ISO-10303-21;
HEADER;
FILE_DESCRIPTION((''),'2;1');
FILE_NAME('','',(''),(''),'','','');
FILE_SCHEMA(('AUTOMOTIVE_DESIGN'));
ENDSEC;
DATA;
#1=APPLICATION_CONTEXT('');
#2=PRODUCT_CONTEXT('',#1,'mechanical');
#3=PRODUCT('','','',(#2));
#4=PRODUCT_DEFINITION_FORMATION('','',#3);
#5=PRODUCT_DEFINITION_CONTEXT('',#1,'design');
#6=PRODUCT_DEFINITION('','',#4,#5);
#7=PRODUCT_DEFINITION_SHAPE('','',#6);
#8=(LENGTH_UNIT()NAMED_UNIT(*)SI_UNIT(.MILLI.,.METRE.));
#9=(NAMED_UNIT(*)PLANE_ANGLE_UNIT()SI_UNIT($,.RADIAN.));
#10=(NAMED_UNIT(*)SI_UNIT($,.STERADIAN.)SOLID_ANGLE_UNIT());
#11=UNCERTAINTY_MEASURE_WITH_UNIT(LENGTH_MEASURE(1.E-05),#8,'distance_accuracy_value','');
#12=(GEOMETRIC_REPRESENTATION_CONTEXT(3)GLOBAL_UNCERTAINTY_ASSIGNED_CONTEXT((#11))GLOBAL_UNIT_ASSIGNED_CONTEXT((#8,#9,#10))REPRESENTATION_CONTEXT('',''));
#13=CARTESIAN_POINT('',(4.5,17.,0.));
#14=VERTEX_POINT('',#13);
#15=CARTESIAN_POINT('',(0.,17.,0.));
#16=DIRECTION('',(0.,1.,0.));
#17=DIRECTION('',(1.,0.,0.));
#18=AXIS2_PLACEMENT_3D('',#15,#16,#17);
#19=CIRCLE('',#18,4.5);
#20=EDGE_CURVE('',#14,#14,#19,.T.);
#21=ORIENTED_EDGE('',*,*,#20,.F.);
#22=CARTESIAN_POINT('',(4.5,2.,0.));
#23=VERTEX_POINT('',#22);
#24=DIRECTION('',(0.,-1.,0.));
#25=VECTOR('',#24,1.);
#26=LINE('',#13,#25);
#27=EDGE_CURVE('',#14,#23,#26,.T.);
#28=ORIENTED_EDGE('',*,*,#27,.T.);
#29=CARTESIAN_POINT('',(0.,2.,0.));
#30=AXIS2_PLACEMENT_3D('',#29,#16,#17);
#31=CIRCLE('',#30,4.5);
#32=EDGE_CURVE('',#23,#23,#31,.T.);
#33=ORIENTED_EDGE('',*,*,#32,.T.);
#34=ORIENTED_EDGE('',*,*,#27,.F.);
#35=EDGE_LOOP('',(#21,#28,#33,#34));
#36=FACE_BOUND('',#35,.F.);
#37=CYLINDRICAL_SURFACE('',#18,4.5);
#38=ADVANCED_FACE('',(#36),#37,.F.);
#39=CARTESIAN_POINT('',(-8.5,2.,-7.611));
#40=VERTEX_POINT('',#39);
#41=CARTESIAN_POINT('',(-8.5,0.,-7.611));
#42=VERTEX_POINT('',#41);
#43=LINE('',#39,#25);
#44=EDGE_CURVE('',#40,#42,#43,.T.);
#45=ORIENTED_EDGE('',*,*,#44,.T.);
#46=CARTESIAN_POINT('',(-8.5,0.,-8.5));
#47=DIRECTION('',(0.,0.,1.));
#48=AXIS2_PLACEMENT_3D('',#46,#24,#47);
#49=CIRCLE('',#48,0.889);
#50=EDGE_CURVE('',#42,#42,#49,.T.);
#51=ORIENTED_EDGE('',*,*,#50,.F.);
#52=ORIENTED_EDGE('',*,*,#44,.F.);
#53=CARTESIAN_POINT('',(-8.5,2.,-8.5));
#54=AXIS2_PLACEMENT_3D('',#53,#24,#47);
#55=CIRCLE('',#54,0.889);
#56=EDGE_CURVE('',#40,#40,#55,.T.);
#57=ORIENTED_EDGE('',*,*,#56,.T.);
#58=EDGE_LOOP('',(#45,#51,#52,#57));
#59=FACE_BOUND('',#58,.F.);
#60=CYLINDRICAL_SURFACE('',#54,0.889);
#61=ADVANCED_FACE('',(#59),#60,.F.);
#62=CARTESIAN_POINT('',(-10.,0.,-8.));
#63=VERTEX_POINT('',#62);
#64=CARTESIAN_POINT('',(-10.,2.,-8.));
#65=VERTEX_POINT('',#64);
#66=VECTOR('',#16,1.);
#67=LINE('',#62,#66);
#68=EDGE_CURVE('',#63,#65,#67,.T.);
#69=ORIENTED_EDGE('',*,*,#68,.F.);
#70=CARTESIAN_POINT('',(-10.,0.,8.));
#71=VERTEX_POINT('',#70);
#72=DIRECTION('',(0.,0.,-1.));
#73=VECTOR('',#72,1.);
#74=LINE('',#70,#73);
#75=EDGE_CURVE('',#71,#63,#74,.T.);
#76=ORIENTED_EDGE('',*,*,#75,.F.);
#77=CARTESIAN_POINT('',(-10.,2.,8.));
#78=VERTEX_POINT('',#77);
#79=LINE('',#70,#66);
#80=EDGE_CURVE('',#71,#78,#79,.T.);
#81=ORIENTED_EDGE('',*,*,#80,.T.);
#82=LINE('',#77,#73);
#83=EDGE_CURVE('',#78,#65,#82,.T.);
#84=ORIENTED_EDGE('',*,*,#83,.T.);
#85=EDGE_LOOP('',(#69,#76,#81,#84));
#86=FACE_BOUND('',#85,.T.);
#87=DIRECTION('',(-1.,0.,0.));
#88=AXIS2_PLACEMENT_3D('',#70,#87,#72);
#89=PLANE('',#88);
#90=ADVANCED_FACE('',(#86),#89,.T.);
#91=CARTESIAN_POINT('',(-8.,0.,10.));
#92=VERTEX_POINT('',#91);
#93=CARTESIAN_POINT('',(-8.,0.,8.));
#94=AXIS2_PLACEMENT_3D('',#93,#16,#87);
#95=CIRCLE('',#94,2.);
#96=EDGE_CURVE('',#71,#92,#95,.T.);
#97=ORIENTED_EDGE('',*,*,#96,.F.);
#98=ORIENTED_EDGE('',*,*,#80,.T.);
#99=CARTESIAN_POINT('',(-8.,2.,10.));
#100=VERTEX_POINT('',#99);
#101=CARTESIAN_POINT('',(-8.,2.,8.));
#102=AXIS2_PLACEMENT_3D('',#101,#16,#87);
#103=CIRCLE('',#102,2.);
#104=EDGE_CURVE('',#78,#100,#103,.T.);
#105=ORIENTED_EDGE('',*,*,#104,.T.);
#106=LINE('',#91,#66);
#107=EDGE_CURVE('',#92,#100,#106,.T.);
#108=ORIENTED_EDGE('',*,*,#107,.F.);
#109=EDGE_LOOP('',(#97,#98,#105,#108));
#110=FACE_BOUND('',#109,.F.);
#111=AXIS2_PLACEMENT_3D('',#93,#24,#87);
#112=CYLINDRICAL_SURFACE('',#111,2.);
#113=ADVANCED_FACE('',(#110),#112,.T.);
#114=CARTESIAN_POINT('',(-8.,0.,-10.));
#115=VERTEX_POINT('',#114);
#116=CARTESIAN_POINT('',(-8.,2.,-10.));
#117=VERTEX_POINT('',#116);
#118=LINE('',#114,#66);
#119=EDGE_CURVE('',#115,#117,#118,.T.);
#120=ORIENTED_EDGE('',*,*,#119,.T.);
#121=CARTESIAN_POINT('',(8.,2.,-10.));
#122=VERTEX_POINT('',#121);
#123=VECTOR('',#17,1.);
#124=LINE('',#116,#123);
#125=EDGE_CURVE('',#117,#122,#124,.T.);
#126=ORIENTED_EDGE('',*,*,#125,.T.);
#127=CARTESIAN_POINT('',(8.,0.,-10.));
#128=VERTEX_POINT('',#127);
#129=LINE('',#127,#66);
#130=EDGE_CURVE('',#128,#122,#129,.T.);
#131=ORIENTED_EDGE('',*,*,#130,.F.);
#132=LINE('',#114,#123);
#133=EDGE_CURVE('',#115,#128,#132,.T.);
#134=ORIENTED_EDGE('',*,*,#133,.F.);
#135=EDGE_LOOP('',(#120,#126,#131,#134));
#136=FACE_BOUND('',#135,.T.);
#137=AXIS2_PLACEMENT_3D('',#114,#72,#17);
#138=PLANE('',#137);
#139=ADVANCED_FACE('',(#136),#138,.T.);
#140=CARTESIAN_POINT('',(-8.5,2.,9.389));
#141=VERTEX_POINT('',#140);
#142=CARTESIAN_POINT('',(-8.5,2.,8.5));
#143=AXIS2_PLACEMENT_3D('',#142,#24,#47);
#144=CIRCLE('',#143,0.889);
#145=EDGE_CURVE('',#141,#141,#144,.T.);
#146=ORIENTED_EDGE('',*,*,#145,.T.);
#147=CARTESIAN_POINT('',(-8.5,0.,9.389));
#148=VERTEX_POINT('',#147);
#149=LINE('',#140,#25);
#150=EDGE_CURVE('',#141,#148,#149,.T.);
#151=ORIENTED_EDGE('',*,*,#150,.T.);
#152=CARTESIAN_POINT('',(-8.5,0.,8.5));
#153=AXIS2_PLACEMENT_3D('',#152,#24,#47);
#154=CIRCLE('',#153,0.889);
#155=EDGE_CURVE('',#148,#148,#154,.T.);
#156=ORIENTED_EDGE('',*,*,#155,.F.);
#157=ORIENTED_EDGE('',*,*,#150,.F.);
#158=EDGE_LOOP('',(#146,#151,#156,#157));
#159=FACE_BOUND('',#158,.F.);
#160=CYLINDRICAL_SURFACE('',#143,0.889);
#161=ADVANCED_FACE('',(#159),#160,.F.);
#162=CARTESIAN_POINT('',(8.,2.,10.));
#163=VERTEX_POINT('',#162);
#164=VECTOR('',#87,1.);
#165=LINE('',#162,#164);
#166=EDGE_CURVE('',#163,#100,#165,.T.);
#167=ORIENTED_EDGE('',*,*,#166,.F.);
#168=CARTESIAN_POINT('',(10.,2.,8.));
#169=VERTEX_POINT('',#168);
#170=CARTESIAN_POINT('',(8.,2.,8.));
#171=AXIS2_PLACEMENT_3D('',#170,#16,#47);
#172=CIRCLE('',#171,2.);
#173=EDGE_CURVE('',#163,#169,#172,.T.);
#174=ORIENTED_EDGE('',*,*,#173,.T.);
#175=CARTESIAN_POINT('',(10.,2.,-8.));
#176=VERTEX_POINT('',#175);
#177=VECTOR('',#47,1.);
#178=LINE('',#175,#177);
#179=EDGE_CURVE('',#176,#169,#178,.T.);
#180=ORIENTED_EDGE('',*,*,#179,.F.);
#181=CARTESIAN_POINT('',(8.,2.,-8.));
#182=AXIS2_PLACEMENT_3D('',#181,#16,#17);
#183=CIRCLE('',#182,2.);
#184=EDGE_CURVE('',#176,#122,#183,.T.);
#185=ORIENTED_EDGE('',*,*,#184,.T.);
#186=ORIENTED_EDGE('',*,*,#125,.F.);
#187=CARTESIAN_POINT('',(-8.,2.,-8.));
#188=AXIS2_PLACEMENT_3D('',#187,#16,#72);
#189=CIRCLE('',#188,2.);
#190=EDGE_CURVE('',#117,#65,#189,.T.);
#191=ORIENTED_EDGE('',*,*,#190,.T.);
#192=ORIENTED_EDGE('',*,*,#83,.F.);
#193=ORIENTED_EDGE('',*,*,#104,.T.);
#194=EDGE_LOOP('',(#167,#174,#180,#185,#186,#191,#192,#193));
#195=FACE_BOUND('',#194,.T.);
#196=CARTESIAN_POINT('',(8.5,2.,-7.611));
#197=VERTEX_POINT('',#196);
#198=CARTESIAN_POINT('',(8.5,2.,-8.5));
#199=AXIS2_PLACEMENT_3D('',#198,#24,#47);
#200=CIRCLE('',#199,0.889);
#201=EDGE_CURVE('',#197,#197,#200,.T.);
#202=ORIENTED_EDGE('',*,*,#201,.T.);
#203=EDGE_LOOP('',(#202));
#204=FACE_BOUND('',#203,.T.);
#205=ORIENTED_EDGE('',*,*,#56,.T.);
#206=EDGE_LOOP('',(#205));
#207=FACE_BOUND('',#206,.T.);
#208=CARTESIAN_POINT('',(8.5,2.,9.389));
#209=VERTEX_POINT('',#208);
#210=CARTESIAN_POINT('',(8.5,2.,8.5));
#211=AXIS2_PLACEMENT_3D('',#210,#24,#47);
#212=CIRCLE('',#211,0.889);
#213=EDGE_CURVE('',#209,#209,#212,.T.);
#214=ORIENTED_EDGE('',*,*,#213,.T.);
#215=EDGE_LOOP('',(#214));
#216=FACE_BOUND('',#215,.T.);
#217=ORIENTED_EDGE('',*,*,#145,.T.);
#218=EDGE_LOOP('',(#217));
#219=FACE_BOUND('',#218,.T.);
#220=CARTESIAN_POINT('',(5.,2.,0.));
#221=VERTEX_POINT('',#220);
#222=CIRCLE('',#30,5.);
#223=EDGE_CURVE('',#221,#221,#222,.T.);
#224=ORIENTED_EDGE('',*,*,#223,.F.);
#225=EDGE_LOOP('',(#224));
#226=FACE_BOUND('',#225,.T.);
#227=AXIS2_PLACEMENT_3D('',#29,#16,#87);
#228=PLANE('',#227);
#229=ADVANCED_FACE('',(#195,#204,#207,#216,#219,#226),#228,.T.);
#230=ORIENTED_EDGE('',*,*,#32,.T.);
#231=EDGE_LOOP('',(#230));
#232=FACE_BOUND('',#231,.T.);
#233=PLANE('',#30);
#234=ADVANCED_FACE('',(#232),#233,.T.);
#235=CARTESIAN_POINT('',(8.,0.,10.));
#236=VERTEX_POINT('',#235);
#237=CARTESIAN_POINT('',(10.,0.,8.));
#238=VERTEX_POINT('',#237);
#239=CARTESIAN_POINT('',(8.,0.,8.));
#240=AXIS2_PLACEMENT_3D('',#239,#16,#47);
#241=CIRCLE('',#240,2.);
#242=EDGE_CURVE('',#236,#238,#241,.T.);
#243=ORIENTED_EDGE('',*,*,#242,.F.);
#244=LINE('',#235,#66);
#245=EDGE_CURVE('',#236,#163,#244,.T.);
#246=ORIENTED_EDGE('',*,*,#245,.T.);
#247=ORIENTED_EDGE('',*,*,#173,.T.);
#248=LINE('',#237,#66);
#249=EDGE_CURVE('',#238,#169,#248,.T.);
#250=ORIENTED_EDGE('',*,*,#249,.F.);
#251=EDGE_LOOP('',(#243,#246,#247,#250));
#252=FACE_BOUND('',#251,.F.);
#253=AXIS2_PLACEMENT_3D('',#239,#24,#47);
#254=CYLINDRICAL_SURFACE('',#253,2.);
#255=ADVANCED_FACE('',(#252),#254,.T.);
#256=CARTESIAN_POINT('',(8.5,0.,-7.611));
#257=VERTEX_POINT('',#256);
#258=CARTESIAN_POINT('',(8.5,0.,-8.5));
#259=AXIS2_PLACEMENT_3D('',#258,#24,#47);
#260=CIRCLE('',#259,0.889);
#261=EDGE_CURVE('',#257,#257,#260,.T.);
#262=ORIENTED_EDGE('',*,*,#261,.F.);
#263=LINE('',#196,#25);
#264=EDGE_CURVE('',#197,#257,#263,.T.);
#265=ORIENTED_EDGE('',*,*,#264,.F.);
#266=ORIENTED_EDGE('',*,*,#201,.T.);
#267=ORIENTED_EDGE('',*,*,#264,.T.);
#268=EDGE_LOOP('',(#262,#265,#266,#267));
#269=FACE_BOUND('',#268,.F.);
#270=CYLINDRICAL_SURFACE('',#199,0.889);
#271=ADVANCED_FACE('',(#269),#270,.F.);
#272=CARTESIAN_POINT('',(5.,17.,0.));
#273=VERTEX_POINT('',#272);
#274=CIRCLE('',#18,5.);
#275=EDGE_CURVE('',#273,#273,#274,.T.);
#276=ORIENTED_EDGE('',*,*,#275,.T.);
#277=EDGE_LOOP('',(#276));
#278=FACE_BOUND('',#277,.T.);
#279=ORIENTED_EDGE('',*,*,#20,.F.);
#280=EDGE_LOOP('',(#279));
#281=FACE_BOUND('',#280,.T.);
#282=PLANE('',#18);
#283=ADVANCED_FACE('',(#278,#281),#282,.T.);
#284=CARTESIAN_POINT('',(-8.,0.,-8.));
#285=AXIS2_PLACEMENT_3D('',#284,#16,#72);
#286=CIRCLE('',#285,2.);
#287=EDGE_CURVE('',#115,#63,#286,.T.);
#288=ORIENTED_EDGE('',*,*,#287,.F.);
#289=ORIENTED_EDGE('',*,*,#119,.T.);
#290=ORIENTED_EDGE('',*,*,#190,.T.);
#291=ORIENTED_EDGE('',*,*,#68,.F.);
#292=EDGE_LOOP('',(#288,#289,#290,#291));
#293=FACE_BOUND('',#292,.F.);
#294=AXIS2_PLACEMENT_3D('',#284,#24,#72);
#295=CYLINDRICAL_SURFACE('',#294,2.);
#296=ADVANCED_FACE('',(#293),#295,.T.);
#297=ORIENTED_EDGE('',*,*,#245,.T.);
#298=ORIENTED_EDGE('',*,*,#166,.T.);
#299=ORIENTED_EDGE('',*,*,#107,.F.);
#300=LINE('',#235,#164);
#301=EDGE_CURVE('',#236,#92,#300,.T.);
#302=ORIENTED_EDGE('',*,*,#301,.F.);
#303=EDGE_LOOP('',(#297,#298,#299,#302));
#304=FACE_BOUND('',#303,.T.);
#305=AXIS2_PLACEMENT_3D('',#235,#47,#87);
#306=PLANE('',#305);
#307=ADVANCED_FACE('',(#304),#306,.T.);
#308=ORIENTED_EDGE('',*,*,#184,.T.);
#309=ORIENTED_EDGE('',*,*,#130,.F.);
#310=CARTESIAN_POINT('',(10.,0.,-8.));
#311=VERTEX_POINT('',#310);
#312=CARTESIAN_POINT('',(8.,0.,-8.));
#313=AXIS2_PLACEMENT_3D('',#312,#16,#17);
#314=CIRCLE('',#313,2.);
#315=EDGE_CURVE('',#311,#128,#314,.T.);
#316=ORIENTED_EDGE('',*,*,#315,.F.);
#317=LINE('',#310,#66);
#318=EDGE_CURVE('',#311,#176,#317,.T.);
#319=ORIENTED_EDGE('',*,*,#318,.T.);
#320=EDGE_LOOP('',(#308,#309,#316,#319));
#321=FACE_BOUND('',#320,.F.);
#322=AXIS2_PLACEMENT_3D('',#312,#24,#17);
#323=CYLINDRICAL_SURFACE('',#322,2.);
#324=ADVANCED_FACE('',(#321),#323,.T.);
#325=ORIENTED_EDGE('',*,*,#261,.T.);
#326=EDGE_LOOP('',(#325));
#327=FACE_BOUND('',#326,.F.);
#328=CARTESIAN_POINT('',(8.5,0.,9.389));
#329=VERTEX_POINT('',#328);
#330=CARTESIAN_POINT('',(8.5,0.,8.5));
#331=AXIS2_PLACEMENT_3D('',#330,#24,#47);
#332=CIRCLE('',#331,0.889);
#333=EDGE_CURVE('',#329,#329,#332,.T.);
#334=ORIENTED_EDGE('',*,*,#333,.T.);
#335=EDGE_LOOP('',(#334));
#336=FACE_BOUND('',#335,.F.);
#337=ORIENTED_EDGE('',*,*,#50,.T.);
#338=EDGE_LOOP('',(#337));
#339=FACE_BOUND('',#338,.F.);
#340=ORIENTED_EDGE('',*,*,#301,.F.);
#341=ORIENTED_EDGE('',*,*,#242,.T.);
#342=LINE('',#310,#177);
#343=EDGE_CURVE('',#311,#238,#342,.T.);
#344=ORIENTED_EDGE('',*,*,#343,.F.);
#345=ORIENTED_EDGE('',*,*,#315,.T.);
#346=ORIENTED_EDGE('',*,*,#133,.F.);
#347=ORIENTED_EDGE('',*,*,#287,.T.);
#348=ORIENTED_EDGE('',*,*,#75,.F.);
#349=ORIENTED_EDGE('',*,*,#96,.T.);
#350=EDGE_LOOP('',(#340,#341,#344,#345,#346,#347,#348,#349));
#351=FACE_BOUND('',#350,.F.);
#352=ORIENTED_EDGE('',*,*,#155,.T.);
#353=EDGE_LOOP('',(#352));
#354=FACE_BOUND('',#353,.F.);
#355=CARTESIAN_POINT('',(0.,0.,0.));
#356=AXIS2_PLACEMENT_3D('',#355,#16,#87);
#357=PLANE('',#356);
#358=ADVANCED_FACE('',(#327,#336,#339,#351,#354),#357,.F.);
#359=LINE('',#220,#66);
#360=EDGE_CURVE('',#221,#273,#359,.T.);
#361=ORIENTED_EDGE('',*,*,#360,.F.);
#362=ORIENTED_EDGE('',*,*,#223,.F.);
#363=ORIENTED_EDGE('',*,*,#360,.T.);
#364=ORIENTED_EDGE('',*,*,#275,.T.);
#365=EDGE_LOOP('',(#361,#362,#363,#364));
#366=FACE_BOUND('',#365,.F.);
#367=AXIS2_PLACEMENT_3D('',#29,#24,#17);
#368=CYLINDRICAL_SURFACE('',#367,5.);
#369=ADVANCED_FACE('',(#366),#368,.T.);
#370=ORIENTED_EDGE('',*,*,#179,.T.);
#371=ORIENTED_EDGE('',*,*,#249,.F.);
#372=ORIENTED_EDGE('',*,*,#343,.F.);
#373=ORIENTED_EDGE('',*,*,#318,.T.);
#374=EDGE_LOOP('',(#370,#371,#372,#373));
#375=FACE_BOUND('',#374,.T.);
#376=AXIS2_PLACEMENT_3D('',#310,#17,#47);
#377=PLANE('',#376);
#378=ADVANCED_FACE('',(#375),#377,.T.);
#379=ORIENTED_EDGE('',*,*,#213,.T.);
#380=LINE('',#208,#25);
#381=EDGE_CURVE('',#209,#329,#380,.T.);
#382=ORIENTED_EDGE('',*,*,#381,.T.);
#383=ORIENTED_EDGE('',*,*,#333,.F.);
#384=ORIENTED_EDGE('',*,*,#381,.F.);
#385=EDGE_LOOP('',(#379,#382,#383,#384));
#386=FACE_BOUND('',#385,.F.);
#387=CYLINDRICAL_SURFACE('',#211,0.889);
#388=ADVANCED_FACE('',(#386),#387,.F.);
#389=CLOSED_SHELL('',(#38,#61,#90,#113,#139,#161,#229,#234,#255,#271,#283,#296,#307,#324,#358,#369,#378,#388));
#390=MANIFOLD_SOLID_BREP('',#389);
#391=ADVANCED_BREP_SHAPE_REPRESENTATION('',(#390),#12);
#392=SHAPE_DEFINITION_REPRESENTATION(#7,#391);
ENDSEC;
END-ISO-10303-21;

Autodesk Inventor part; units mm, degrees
ref_plane "YZ Plane" through (0, 0, 0) normal (1, 0, 0) x (0, 1, 0)
ref_plane "XZ Plane" through (0, 0, 0) normal (0, 1, 0) x (-1, 0, 0)
sketch "Sketch1" plane through (0, 0, 0) normal (0, 1, 0) x (-1, 0, 0)
  line L0 (-8, 10) -> (8, 10)
  line L1 (10, 8) -> (10, -8)
  line L2 (8, -10) -> (-8, -10)
  line L3 (-10, -8) -> (-10, 8)
  line L4 (-10, 10) -> (10, -10) construction
  line L5 (10, 10) -> (-10, -10) construction
  arc A0 (10, 8) -> (8, 10) centre (8, 8) ccw
  arc A1 (8, -10) -> (10, -8) centre (8, -8) ccw
  arc A2 (-8, 10) -> (-10, 8) centre (-8, 8) ccw
  arc A3 (-10, -8) -> (-8, -10) centre (-8, -8) ccw
  point P0 (0, 0)
  dimension "d0" = 20
  dimension "d1" = 20
  dimension "d34" = 2
  dimension "d35" = 2
  dimension "d36" = 2
  dimension "d37" = 2
extrude "Extrusion1" add sketch "Sketch1" along normal blind 2
sketch "Sketch2" plane through (0, 2, 0) normal (0, 1, 0) x (1, 0, 0)
  line L0 (8.5, -8.5) -> (-8.5, -8.5)
  line L1 (-8.5, -8.5) -> (-8.5, 8.5)
  line L2 (-8.5, 8.5) -> (8.5, 8.5)
  line L3 (8.5, 8.5) -> (8.5, -8.5)
  line L4 (8.5, -8.5) -> (-8.5, 8.5) construction
  line L5 (-8.5, -8.5) -> (8.5, 8.5) construction
  point P0 (0, 0)
  dimension "d4" = 17
  dimension "d5" = 17
hole "Hole1" at (-8.5, 2, 8.5) direction (0, -1, 0) diameter 1.778 end through all
hole "Hole2" at (8.5, 2, 8.5) direction (0, -1, 0) diameter 1.778 end through all
hole "Hole3" at (-8.5, 2, -8.5) direction (0, -1, 0) diameter 1.778 end through all
hole "Hole4" at (8.5, 2, -8.5) direction (0, -1, 0) diameter 1.778 end through all
sketch "Sketch3" plane through (0, 2, 0) normal (0, 1, 0) x (1, 0, 0)
  circle A0 centre (0, 0) radius 5
  dimension "d38" = 10
extrude "Extrusion2" add sketch "Sketch3" along normal blind 15 and the other way blind 1
sketch "Sketch4" plane through (0, 17, 0) normal (0, 1, 0) x (1, 0, 0)
  circle A0 centre (0, 0) radius 4.5
  dimension "d41" = 9
extrude "Extrusion3" cut sketch "Sketch4" against normal blind 15
sketch "Sketch12" plane through (0, 0, 0) normal (0, 0, 1) x (1, 0, 0)
  line L0 (-10, 0) -> (-10, 2) construction
  line L1 (-10, 2) -> (-5, 2) construction
  line L2 (-5, 2) -> (-5, 17) construction
  line L3 (-5, 17) -> (-4.5, 17) construction
  line L4 (-4.5, 17) -> (-4.5, 2) construction
  line L5 (-4.5, 2) -> (4.5, 2) construction
  line L6 (4.5, 2) -> (4.5, 17) construction
  line L7 (4.5, 17) -> (5, 17) construction
  line L8 (5, 17) -> (5, 2) construction
  line L9 (5, 2) -> (10, 2) construction
  line L10 (10, 2) -> (10, 0) construction
  line L11 (10, 0) -> (-10, 0) construction
  line L12 (-5, 17) -> (-8.8394, 7.1494)
  line L13 (-5, 2) -> (5, 2) projected
  line L14 (-8.8394, 7.1494) -> (-5, 2)
  point P0 (0, 0)
properties part number "mock"
